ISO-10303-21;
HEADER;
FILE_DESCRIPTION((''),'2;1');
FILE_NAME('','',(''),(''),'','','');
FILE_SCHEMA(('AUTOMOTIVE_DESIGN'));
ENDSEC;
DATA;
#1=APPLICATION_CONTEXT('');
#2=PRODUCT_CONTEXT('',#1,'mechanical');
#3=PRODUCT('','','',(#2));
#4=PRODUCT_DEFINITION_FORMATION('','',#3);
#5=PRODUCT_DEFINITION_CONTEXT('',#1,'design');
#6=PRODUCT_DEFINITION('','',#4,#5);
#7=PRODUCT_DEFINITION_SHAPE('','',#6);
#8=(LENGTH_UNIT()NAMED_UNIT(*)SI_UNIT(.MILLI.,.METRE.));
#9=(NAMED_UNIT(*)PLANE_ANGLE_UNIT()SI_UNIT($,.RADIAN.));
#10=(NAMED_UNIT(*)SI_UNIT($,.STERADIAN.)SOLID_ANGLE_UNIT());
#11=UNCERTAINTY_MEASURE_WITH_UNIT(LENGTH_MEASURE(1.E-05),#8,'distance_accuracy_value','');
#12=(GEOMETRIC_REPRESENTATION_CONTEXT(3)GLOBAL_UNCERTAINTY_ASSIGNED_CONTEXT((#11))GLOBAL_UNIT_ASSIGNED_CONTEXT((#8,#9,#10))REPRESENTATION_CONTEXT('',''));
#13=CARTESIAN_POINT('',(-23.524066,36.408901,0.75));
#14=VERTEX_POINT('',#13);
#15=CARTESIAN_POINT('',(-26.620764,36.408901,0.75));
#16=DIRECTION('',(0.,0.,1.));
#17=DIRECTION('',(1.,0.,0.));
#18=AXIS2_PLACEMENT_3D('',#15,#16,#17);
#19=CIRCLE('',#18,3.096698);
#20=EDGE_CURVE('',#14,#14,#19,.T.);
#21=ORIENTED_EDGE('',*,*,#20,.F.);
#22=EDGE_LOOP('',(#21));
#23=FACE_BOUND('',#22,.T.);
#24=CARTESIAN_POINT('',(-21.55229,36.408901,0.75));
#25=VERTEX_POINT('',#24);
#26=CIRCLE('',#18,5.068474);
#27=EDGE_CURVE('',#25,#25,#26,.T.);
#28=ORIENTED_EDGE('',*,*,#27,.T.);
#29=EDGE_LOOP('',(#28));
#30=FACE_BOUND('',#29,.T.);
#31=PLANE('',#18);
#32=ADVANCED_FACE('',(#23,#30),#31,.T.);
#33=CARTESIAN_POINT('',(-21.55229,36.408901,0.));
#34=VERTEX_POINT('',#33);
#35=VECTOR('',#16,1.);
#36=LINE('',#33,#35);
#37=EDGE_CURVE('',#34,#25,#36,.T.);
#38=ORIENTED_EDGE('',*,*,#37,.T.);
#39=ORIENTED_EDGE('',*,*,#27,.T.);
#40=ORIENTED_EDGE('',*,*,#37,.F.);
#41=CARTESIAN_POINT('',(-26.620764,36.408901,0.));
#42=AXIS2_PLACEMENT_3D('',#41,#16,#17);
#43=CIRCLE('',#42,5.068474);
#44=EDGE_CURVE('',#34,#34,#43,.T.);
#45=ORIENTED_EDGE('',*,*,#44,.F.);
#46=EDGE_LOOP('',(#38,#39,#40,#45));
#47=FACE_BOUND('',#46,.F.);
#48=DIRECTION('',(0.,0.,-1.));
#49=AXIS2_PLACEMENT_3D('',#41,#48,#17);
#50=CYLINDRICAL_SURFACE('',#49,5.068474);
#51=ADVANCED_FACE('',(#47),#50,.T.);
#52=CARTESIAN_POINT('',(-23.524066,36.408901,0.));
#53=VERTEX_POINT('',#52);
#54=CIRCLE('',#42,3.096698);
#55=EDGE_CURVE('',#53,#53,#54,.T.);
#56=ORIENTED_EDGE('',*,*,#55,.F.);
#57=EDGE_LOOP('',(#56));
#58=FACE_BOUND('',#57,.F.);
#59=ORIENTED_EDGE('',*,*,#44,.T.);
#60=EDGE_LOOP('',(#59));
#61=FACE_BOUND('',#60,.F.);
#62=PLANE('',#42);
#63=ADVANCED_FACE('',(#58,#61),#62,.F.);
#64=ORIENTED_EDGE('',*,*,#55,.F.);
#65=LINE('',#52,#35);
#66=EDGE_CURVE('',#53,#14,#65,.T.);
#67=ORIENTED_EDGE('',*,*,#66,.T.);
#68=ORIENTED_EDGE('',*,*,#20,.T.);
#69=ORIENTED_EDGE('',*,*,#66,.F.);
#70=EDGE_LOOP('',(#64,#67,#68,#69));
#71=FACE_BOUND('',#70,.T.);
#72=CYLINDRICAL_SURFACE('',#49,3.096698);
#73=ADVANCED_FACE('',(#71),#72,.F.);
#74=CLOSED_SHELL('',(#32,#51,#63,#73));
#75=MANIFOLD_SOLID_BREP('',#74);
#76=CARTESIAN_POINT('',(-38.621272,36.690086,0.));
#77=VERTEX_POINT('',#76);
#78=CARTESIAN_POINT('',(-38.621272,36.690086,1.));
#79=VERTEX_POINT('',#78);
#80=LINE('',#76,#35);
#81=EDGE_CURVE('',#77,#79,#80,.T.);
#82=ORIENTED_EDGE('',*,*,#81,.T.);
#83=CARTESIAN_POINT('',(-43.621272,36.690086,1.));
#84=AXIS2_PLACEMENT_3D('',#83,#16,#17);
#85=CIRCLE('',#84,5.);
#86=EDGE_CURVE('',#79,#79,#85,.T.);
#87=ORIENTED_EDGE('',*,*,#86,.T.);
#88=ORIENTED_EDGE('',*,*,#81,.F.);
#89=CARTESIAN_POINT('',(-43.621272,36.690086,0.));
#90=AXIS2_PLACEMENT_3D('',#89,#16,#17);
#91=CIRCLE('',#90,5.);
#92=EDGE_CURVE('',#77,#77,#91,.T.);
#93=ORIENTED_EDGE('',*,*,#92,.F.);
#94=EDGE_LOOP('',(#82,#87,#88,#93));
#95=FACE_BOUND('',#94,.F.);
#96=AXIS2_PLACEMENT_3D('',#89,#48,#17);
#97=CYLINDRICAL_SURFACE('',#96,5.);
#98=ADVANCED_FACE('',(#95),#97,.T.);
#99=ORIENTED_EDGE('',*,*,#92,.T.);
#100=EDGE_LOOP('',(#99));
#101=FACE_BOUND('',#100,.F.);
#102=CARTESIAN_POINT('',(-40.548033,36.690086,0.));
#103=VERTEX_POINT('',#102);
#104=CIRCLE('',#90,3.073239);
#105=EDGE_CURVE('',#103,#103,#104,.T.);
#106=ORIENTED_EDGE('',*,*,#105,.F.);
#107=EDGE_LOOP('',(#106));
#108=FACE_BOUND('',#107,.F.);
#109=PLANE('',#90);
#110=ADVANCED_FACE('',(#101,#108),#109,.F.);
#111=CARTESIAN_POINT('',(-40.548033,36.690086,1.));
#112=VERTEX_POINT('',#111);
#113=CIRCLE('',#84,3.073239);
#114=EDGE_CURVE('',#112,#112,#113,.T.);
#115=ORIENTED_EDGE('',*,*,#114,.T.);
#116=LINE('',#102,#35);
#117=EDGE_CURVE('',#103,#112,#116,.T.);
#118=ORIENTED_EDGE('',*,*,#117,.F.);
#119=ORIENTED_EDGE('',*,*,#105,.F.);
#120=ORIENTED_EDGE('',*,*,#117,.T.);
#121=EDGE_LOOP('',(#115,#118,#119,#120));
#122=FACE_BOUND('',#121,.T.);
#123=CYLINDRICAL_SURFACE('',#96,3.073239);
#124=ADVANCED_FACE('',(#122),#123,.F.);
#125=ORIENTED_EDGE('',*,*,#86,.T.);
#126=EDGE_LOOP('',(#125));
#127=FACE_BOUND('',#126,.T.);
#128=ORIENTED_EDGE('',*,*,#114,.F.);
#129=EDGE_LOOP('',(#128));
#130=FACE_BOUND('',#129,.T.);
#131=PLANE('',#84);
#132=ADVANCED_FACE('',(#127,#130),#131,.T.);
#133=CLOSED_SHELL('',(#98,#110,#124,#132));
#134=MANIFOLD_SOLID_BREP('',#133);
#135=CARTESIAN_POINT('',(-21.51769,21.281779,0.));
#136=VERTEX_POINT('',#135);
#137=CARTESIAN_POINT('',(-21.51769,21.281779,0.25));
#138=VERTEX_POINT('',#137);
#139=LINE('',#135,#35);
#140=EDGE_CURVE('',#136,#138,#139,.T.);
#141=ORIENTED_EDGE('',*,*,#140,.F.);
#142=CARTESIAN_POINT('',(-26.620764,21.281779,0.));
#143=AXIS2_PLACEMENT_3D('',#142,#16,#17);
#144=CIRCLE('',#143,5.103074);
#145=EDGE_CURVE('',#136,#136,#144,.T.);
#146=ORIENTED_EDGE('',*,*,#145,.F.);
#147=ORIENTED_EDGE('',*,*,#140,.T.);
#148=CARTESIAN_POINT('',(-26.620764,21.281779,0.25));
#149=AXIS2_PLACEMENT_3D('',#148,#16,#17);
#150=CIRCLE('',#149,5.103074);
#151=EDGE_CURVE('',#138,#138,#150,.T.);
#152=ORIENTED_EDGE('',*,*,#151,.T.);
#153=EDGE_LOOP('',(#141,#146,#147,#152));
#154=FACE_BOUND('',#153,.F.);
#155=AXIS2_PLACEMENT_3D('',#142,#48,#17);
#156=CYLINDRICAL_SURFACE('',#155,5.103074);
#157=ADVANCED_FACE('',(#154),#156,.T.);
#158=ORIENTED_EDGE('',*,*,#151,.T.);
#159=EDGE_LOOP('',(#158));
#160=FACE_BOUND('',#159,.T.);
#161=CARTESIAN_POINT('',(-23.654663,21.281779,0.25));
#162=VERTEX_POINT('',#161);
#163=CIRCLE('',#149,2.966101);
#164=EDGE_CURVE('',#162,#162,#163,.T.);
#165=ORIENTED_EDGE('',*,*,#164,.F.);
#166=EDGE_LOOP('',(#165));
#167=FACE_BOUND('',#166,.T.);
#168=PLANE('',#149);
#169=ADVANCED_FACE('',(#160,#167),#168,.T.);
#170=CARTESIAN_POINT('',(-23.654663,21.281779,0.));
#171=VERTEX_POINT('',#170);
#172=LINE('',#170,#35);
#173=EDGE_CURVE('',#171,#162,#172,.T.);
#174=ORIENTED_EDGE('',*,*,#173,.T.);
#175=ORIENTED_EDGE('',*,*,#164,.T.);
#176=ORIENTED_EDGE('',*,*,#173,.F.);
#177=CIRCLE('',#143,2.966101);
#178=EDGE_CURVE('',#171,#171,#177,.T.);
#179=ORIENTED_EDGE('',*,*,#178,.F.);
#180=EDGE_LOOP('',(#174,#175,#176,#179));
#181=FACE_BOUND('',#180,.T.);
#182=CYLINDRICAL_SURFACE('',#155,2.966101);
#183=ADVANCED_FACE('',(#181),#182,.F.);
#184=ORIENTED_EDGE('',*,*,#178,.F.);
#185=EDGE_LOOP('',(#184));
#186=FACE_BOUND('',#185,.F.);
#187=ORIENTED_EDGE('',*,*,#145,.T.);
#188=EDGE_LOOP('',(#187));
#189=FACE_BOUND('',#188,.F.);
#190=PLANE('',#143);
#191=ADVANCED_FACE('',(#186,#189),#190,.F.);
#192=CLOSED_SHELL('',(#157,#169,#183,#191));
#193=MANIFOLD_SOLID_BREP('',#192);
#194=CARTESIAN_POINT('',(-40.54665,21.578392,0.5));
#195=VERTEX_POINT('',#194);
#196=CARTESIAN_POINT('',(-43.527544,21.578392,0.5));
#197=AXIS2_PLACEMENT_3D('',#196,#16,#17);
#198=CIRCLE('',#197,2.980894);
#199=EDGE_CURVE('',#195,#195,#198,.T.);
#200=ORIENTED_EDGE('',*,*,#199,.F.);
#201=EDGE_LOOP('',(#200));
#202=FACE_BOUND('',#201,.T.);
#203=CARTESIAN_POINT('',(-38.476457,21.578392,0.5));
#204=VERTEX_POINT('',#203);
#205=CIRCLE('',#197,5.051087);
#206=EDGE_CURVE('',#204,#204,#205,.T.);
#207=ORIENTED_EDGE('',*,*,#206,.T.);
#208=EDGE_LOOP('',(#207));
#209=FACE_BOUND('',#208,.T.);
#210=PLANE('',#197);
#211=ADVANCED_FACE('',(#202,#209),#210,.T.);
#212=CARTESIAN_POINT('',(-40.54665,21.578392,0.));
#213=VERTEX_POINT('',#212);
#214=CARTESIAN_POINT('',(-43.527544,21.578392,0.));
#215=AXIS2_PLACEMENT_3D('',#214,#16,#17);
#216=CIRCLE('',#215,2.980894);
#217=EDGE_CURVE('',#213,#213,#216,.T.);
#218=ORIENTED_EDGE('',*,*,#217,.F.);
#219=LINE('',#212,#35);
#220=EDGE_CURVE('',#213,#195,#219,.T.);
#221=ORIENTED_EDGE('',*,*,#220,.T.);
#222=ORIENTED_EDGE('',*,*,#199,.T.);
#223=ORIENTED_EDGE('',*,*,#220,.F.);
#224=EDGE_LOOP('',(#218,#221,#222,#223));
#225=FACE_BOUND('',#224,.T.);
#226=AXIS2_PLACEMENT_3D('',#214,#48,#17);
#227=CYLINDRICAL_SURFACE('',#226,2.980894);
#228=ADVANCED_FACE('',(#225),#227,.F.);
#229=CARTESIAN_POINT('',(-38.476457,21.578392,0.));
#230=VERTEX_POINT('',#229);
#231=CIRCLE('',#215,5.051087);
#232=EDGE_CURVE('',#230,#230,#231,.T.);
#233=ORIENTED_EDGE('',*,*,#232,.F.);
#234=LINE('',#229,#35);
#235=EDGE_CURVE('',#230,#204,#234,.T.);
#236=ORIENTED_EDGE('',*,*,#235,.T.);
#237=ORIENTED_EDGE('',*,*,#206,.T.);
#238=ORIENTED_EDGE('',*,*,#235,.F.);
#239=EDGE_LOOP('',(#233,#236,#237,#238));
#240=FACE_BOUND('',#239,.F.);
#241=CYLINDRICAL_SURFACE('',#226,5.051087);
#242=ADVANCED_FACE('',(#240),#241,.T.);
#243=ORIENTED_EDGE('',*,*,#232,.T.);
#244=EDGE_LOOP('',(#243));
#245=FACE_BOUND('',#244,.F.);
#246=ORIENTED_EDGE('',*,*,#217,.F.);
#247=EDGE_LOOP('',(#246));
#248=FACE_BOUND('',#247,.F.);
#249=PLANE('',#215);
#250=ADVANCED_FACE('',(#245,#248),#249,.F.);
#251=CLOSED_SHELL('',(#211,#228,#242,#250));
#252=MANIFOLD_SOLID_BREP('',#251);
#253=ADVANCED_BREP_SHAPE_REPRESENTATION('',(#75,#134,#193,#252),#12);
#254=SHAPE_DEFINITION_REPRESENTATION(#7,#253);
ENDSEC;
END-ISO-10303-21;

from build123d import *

# Parameters (mm, degrees)
F0_R     = 5
F0_R_2   = 3.073239
F1_DEPTH = 1
F2_R     = 5.068474
F2_R_2   = 3.096698
F3_DEPTH = 0.75
F4_R     = 5.051087
F4_R_2   = 2.980894
F5_DEPTH = 0.5
F6_R     = 5.103074
F6_R_2   = 2.966101
F7_DEPTH = 0.25


with BuildPart() as f1:
    # F0 (on Top) → F1 (new body)
    with BuildSketch(Plane.XY):
        with Locations((-43.621272, 36.690086)):
            Circle(F0_R)
        with Locations((-43.621272, 36.690086)):
            Circle(F0_R_2, mode=Mode.SUBTRACT)
    extrude(amount=F1_DEPTH)


with BuildPart() as f3:
    # F2 (on Top) → F3 (new body)
    with BuildSketch(Plane.XY):
        with Locations((-26.620764, 36.408901)):
            Circle(F2_R)
        with Locations((-26.620764, 36.408901)):
            Circle(F2_R_2, mode=Mode.SUBTRACT)
    extrude(amount=F3_DEPTH)


with BuildPart() as f5:
    # F4 (on Top) → F5 (new body)
    with BuildSketch(Plane.XY):
        with Locations((-43.527544, 21.578392)):
            Circle(F4_R)
        with Locations((-43.527544, 21.578392)):
            Circle(F4_R_2, mode=Mode.SUBTRACT)
    extrude(amount=F5_DEPTH)


with BuildPart() as f7:
    # F6 (on Top) → F7 (new body)
    with BuildSketch(Plane.XY):
        with Locations((-26.620764, 21.281779)):
            Circle(F6_R)
        with Locations((-26.620764, 21.281779)):
            Circle(F6_R_2, mode=Mode.SUBTRACT)
    extrude(amount=F7_DEPTH)


solid = Compound([f1.part, f3.part, f5.part, f7.part])
